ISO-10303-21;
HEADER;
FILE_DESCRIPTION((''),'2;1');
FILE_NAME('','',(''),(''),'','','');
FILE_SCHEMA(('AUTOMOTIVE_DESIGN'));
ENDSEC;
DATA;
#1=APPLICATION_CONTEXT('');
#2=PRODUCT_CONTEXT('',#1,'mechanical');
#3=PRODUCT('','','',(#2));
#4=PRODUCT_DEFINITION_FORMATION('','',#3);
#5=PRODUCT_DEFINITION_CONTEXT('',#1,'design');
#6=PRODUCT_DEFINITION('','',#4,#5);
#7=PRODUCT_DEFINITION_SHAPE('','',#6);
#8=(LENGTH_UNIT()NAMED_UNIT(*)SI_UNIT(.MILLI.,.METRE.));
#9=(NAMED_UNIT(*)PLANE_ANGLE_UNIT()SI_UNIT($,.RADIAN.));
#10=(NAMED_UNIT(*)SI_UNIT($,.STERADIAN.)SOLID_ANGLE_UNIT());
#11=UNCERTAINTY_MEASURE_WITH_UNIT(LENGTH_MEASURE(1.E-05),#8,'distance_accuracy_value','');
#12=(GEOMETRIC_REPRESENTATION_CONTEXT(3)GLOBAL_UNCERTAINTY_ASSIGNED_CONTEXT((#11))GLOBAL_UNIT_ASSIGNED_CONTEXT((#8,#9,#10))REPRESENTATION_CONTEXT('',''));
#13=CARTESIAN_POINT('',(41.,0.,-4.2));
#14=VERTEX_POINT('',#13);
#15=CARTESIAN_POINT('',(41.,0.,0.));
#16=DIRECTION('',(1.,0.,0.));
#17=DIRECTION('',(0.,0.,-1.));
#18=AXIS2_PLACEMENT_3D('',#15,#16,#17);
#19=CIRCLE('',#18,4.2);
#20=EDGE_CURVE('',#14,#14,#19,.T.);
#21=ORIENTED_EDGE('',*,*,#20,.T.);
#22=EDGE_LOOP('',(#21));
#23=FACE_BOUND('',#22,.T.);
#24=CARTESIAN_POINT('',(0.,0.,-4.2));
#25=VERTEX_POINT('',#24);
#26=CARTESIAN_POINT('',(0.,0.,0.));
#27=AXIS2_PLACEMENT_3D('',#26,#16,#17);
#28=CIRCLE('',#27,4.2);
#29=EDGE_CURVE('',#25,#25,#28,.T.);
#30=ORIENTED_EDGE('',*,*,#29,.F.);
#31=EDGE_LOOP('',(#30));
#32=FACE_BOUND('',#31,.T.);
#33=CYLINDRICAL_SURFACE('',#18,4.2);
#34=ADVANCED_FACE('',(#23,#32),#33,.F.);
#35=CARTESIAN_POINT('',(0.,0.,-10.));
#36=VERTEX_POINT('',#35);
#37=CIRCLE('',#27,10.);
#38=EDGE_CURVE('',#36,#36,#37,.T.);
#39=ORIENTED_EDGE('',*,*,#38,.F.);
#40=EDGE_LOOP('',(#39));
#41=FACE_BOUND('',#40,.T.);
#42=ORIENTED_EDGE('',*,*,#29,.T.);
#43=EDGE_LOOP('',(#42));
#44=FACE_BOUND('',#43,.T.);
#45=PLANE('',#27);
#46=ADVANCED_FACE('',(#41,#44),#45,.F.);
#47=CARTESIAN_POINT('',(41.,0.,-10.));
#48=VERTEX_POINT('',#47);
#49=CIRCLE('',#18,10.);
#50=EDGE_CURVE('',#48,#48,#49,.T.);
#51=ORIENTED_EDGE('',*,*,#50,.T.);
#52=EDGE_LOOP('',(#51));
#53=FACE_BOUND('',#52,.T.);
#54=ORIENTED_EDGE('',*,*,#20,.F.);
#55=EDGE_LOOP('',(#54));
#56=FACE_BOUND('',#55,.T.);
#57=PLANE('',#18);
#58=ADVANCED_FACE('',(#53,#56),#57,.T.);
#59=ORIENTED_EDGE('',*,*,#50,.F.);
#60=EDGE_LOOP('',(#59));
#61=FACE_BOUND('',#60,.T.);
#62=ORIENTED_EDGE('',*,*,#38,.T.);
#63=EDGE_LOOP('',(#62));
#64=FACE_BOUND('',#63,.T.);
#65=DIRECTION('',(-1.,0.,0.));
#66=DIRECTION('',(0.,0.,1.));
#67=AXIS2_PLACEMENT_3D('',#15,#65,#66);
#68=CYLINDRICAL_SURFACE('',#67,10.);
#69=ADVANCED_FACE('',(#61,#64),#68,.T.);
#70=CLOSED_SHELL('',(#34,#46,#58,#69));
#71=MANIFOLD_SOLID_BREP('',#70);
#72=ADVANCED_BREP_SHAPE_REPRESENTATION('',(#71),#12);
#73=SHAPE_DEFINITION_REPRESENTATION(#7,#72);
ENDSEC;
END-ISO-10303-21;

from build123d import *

# Parameters (mm, degrees)
SKETCH1_R             = 10
BOSS_EXTRUDE1_DEPTH   = 41
F_8_0MM_DOWEL_HOLE1_D = 8.4


with BuildPart() as part:
    # Sketch1 → Boss-Extrude1 (new body)
    with BuildSketch(Plane(origin=(0, 0, 0), x_dir=(0, 0, -1), z_dir=(1, 0, 0))):
        Circle(SKETCH1_R)
    extrude(amount=BOSS_EXTRUDE1_DEPTH)

    # Ø8.0mm Dowel Hole1 (through all)
    with Locations(Plane(origin=(41, 0, 0), x_dir=(0, 0, -1), z_dir=(1, 0, 0))):
        with Locations((0, 0)):
            Hole(F_8_0MM_DOWEL_HOLE1_D / 2)


solid = part.part
